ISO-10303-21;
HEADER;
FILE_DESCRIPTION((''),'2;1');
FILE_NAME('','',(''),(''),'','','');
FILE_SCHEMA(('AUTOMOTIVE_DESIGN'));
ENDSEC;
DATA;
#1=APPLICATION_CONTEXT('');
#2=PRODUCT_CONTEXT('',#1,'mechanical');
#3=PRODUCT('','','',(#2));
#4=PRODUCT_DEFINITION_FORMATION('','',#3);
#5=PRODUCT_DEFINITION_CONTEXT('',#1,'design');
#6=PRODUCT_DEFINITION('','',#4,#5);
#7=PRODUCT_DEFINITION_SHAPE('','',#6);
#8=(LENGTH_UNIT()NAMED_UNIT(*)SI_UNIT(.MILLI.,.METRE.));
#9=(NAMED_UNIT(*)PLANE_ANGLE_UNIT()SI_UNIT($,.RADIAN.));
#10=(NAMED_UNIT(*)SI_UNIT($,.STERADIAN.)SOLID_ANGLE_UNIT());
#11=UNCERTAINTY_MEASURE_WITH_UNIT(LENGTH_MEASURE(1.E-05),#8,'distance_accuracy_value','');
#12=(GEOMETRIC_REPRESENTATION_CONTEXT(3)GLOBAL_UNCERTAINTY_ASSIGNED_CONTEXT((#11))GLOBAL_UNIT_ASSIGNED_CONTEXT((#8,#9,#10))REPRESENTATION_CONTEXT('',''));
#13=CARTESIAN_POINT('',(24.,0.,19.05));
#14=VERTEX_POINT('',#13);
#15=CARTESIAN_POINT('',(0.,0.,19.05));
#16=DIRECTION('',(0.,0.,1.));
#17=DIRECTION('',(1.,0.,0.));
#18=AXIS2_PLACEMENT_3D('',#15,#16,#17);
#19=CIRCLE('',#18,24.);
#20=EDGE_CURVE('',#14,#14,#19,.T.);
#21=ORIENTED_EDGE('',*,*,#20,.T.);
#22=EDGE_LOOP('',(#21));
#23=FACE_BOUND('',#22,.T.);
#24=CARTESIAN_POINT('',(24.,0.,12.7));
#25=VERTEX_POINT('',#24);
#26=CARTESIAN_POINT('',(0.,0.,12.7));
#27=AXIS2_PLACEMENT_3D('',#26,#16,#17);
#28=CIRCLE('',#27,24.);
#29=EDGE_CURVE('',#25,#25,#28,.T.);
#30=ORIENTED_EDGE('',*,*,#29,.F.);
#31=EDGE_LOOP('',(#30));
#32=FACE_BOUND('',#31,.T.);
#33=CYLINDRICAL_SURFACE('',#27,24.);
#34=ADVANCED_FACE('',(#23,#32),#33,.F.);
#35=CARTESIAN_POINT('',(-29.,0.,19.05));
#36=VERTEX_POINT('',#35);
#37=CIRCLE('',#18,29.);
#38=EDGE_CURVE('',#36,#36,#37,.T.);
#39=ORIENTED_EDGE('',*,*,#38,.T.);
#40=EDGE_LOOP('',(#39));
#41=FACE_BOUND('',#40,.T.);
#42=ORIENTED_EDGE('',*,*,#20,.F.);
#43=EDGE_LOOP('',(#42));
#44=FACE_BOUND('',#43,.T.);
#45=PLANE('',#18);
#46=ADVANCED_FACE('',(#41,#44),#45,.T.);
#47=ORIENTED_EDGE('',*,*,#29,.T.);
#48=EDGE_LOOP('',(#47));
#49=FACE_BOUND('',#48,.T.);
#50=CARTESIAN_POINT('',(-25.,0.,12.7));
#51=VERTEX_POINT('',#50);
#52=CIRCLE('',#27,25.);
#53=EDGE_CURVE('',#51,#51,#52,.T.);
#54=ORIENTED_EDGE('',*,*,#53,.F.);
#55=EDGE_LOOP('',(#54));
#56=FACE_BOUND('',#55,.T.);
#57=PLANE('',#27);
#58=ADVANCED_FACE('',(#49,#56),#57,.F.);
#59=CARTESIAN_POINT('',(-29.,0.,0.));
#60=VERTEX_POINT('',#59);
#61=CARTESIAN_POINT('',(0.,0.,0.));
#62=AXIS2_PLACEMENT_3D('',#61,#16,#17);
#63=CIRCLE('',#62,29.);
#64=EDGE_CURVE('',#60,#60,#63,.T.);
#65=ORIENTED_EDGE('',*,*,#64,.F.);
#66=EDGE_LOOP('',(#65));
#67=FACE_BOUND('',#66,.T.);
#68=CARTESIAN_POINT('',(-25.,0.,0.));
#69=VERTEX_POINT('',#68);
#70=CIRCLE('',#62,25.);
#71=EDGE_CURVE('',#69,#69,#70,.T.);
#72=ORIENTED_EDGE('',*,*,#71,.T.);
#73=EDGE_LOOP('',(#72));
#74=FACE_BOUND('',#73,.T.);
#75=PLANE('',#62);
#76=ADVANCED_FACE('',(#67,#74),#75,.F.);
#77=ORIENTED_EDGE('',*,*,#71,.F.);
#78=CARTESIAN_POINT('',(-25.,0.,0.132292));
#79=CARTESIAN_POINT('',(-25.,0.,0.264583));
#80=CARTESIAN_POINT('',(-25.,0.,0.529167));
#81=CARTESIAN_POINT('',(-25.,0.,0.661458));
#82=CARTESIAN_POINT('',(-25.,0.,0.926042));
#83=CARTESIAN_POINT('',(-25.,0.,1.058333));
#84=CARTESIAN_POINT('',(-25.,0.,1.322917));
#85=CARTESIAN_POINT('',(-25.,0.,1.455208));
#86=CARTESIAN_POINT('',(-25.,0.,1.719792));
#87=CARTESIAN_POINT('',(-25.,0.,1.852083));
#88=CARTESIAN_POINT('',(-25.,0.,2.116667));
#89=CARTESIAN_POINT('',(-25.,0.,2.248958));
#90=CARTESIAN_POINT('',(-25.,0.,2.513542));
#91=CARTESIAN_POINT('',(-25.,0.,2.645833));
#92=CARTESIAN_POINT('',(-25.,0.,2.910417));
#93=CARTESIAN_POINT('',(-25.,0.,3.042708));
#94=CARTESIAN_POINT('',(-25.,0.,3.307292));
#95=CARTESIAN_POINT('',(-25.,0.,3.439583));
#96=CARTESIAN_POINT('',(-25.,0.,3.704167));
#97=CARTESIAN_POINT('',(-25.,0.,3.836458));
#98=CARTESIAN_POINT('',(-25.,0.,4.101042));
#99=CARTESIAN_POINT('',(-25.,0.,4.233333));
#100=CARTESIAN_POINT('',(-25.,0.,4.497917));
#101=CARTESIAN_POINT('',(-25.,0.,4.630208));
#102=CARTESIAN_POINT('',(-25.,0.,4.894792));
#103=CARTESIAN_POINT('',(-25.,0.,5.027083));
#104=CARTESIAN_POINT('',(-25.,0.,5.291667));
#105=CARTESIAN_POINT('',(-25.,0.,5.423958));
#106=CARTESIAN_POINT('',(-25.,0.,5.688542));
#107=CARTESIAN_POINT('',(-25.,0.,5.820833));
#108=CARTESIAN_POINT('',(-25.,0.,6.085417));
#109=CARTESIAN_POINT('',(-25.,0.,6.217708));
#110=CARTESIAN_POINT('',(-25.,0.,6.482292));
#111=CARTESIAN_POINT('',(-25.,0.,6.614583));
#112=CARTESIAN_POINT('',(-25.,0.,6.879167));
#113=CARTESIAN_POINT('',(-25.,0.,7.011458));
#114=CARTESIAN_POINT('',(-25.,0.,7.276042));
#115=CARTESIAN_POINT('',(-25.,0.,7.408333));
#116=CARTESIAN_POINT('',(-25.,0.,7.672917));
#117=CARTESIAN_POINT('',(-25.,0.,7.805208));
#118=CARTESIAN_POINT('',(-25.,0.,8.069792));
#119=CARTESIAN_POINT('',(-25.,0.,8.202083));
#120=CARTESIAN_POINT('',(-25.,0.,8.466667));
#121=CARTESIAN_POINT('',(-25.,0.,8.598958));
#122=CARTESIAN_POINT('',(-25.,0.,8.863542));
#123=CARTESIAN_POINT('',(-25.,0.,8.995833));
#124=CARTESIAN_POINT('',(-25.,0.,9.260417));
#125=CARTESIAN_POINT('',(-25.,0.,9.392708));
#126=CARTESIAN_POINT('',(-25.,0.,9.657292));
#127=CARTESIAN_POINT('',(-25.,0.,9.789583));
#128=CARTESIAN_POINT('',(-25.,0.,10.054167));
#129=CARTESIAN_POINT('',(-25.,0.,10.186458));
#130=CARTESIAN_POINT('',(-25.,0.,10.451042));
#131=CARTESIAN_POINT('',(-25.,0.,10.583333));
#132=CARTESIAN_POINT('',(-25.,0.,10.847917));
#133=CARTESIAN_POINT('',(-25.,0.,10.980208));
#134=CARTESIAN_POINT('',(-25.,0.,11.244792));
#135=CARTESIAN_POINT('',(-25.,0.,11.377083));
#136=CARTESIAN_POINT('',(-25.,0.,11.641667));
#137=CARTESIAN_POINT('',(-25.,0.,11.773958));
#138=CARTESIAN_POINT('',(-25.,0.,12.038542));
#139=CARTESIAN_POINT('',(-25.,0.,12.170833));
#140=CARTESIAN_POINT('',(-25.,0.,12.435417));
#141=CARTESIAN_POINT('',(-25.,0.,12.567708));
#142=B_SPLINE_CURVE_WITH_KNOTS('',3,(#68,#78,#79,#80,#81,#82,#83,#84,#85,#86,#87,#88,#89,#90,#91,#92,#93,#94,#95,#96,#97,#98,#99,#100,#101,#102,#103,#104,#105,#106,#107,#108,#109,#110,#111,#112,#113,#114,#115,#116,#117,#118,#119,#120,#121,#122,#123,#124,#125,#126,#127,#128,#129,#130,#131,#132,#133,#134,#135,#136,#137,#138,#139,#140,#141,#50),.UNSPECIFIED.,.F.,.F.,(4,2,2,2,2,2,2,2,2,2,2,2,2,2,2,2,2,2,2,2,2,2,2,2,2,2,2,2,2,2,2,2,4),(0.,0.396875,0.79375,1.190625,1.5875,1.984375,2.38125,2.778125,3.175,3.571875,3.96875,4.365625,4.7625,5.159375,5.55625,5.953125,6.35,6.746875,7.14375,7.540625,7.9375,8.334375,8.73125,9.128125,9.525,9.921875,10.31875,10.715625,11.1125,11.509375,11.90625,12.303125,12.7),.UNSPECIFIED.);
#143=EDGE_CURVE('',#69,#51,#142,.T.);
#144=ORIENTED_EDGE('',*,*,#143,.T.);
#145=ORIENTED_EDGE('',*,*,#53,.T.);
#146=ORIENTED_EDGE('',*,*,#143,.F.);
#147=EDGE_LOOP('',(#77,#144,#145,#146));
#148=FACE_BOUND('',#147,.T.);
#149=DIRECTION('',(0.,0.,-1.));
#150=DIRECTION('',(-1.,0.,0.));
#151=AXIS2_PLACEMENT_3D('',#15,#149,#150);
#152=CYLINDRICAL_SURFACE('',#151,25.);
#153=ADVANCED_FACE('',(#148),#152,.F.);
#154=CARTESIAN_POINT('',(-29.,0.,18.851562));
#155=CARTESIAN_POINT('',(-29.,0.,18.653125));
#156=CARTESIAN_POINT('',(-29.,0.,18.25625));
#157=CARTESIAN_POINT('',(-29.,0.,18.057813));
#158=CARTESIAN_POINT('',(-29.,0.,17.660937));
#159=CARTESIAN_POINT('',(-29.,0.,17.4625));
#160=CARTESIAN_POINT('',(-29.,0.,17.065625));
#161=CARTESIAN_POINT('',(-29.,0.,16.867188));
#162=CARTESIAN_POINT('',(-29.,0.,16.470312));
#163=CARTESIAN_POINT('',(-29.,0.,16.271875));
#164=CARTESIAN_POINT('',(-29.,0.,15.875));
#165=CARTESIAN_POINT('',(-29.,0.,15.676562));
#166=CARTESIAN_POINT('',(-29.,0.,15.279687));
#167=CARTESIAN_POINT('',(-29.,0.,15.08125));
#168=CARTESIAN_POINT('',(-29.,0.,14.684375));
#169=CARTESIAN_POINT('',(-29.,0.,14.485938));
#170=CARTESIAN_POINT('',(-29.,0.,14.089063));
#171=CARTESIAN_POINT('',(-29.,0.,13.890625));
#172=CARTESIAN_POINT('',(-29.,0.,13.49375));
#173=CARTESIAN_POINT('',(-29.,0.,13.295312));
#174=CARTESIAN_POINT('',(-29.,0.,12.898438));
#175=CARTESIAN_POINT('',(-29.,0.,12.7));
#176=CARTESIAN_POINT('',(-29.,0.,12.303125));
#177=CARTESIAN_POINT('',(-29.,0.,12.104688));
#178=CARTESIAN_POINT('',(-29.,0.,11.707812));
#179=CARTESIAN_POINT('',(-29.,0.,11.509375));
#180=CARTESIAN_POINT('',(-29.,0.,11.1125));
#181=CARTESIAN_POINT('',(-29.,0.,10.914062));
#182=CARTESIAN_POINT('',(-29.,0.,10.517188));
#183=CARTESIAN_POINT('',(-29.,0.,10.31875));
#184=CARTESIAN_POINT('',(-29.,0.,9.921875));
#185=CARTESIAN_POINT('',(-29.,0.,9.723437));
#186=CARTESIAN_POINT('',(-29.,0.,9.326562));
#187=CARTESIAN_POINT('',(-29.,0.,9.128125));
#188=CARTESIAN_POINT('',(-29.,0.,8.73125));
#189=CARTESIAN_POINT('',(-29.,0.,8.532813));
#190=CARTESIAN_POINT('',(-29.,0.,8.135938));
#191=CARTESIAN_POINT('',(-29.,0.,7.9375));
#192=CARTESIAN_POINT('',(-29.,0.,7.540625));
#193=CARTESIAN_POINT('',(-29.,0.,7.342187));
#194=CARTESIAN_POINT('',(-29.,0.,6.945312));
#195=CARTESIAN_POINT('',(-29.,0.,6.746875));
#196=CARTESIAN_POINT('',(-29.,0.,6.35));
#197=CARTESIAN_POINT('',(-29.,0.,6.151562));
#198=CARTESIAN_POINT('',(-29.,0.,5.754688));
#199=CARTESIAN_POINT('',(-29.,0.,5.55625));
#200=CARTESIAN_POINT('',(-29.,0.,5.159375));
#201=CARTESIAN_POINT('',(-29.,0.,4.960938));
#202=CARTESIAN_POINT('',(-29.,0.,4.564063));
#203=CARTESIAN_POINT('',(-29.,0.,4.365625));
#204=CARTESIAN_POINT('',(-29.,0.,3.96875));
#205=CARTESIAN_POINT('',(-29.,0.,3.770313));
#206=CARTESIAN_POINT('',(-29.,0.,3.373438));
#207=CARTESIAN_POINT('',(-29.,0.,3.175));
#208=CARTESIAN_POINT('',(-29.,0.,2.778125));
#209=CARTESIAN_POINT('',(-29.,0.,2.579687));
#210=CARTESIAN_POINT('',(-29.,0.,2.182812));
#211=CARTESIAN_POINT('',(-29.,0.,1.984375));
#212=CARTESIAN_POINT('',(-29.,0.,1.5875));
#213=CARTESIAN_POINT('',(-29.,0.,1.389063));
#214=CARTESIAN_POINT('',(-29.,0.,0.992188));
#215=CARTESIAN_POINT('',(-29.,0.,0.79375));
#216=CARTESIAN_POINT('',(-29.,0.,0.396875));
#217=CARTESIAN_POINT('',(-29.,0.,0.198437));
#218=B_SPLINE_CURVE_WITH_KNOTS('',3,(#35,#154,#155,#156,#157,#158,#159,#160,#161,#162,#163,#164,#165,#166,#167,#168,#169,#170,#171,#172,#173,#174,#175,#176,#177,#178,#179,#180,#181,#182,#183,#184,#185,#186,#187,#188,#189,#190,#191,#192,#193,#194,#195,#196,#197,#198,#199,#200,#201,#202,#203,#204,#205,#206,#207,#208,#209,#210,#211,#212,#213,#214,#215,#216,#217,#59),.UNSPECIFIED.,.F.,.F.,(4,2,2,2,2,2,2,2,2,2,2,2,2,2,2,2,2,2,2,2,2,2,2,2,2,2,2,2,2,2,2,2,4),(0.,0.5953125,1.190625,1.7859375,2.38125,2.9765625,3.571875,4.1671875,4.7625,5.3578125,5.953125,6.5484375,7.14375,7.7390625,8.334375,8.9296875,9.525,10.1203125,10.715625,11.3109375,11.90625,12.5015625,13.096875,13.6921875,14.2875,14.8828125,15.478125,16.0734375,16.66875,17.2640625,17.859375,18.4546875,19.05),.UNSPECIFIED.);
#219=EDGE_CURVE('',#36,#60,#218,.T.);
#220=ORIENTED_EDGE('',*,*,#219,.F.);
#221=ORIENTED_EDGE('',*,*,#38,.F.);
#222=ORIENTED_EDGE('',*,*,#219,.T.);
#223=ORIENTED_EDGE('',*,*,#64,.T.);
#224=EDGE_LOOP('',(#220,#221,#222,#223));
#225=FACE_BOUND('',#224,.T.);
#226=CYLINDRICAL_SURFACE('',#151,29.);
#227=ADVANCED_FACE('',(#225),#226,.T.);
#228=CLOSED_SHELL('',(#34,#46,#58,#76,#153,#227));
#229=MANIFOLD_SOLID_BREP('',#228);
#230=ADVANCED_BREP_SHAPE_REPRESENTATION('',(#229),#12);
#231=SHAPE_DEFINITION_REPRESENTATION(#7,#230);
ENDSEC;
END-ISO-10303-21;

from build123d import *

# Parameters (mm, degrees)
SKETCH1_R           = 29
SKETCH1_R_2         = 25
BOSS_EXTRUDE1_DEPTH = 19.05
BOSS_EXTRUDE2_START = -6.35
SKETCH2_R           = 25
SKETCH2_R_2         = 24
BOSS_EXTRUDE2_DEPTH = 6.35


with BuildPart() as part:
    # Sketch1 → Boss-Extrude1 (new body)
    with BuildSketch(Plane.XY):
        Circle(SKETCH1_R)
        Circle(SKETCH1_R_2, mode=Mode.SUBTRACT)
    extrude(amount=BOSS_EXTRUDE1_DEPTH)

    # Sketch2 → Boss-Extrude2 (add)
    with BuildSketch(Plane.XY.offset(19.05).offset(BOSS_EXTRUDE2_START)):
        Circle(SKETCH2_R)
        Circle(SKETCH2_R_2, mode=Mode.SUBTRACT)
    extrude(amount=BOSS_EXTRUDE2_DEPTH)


solid = part.part
